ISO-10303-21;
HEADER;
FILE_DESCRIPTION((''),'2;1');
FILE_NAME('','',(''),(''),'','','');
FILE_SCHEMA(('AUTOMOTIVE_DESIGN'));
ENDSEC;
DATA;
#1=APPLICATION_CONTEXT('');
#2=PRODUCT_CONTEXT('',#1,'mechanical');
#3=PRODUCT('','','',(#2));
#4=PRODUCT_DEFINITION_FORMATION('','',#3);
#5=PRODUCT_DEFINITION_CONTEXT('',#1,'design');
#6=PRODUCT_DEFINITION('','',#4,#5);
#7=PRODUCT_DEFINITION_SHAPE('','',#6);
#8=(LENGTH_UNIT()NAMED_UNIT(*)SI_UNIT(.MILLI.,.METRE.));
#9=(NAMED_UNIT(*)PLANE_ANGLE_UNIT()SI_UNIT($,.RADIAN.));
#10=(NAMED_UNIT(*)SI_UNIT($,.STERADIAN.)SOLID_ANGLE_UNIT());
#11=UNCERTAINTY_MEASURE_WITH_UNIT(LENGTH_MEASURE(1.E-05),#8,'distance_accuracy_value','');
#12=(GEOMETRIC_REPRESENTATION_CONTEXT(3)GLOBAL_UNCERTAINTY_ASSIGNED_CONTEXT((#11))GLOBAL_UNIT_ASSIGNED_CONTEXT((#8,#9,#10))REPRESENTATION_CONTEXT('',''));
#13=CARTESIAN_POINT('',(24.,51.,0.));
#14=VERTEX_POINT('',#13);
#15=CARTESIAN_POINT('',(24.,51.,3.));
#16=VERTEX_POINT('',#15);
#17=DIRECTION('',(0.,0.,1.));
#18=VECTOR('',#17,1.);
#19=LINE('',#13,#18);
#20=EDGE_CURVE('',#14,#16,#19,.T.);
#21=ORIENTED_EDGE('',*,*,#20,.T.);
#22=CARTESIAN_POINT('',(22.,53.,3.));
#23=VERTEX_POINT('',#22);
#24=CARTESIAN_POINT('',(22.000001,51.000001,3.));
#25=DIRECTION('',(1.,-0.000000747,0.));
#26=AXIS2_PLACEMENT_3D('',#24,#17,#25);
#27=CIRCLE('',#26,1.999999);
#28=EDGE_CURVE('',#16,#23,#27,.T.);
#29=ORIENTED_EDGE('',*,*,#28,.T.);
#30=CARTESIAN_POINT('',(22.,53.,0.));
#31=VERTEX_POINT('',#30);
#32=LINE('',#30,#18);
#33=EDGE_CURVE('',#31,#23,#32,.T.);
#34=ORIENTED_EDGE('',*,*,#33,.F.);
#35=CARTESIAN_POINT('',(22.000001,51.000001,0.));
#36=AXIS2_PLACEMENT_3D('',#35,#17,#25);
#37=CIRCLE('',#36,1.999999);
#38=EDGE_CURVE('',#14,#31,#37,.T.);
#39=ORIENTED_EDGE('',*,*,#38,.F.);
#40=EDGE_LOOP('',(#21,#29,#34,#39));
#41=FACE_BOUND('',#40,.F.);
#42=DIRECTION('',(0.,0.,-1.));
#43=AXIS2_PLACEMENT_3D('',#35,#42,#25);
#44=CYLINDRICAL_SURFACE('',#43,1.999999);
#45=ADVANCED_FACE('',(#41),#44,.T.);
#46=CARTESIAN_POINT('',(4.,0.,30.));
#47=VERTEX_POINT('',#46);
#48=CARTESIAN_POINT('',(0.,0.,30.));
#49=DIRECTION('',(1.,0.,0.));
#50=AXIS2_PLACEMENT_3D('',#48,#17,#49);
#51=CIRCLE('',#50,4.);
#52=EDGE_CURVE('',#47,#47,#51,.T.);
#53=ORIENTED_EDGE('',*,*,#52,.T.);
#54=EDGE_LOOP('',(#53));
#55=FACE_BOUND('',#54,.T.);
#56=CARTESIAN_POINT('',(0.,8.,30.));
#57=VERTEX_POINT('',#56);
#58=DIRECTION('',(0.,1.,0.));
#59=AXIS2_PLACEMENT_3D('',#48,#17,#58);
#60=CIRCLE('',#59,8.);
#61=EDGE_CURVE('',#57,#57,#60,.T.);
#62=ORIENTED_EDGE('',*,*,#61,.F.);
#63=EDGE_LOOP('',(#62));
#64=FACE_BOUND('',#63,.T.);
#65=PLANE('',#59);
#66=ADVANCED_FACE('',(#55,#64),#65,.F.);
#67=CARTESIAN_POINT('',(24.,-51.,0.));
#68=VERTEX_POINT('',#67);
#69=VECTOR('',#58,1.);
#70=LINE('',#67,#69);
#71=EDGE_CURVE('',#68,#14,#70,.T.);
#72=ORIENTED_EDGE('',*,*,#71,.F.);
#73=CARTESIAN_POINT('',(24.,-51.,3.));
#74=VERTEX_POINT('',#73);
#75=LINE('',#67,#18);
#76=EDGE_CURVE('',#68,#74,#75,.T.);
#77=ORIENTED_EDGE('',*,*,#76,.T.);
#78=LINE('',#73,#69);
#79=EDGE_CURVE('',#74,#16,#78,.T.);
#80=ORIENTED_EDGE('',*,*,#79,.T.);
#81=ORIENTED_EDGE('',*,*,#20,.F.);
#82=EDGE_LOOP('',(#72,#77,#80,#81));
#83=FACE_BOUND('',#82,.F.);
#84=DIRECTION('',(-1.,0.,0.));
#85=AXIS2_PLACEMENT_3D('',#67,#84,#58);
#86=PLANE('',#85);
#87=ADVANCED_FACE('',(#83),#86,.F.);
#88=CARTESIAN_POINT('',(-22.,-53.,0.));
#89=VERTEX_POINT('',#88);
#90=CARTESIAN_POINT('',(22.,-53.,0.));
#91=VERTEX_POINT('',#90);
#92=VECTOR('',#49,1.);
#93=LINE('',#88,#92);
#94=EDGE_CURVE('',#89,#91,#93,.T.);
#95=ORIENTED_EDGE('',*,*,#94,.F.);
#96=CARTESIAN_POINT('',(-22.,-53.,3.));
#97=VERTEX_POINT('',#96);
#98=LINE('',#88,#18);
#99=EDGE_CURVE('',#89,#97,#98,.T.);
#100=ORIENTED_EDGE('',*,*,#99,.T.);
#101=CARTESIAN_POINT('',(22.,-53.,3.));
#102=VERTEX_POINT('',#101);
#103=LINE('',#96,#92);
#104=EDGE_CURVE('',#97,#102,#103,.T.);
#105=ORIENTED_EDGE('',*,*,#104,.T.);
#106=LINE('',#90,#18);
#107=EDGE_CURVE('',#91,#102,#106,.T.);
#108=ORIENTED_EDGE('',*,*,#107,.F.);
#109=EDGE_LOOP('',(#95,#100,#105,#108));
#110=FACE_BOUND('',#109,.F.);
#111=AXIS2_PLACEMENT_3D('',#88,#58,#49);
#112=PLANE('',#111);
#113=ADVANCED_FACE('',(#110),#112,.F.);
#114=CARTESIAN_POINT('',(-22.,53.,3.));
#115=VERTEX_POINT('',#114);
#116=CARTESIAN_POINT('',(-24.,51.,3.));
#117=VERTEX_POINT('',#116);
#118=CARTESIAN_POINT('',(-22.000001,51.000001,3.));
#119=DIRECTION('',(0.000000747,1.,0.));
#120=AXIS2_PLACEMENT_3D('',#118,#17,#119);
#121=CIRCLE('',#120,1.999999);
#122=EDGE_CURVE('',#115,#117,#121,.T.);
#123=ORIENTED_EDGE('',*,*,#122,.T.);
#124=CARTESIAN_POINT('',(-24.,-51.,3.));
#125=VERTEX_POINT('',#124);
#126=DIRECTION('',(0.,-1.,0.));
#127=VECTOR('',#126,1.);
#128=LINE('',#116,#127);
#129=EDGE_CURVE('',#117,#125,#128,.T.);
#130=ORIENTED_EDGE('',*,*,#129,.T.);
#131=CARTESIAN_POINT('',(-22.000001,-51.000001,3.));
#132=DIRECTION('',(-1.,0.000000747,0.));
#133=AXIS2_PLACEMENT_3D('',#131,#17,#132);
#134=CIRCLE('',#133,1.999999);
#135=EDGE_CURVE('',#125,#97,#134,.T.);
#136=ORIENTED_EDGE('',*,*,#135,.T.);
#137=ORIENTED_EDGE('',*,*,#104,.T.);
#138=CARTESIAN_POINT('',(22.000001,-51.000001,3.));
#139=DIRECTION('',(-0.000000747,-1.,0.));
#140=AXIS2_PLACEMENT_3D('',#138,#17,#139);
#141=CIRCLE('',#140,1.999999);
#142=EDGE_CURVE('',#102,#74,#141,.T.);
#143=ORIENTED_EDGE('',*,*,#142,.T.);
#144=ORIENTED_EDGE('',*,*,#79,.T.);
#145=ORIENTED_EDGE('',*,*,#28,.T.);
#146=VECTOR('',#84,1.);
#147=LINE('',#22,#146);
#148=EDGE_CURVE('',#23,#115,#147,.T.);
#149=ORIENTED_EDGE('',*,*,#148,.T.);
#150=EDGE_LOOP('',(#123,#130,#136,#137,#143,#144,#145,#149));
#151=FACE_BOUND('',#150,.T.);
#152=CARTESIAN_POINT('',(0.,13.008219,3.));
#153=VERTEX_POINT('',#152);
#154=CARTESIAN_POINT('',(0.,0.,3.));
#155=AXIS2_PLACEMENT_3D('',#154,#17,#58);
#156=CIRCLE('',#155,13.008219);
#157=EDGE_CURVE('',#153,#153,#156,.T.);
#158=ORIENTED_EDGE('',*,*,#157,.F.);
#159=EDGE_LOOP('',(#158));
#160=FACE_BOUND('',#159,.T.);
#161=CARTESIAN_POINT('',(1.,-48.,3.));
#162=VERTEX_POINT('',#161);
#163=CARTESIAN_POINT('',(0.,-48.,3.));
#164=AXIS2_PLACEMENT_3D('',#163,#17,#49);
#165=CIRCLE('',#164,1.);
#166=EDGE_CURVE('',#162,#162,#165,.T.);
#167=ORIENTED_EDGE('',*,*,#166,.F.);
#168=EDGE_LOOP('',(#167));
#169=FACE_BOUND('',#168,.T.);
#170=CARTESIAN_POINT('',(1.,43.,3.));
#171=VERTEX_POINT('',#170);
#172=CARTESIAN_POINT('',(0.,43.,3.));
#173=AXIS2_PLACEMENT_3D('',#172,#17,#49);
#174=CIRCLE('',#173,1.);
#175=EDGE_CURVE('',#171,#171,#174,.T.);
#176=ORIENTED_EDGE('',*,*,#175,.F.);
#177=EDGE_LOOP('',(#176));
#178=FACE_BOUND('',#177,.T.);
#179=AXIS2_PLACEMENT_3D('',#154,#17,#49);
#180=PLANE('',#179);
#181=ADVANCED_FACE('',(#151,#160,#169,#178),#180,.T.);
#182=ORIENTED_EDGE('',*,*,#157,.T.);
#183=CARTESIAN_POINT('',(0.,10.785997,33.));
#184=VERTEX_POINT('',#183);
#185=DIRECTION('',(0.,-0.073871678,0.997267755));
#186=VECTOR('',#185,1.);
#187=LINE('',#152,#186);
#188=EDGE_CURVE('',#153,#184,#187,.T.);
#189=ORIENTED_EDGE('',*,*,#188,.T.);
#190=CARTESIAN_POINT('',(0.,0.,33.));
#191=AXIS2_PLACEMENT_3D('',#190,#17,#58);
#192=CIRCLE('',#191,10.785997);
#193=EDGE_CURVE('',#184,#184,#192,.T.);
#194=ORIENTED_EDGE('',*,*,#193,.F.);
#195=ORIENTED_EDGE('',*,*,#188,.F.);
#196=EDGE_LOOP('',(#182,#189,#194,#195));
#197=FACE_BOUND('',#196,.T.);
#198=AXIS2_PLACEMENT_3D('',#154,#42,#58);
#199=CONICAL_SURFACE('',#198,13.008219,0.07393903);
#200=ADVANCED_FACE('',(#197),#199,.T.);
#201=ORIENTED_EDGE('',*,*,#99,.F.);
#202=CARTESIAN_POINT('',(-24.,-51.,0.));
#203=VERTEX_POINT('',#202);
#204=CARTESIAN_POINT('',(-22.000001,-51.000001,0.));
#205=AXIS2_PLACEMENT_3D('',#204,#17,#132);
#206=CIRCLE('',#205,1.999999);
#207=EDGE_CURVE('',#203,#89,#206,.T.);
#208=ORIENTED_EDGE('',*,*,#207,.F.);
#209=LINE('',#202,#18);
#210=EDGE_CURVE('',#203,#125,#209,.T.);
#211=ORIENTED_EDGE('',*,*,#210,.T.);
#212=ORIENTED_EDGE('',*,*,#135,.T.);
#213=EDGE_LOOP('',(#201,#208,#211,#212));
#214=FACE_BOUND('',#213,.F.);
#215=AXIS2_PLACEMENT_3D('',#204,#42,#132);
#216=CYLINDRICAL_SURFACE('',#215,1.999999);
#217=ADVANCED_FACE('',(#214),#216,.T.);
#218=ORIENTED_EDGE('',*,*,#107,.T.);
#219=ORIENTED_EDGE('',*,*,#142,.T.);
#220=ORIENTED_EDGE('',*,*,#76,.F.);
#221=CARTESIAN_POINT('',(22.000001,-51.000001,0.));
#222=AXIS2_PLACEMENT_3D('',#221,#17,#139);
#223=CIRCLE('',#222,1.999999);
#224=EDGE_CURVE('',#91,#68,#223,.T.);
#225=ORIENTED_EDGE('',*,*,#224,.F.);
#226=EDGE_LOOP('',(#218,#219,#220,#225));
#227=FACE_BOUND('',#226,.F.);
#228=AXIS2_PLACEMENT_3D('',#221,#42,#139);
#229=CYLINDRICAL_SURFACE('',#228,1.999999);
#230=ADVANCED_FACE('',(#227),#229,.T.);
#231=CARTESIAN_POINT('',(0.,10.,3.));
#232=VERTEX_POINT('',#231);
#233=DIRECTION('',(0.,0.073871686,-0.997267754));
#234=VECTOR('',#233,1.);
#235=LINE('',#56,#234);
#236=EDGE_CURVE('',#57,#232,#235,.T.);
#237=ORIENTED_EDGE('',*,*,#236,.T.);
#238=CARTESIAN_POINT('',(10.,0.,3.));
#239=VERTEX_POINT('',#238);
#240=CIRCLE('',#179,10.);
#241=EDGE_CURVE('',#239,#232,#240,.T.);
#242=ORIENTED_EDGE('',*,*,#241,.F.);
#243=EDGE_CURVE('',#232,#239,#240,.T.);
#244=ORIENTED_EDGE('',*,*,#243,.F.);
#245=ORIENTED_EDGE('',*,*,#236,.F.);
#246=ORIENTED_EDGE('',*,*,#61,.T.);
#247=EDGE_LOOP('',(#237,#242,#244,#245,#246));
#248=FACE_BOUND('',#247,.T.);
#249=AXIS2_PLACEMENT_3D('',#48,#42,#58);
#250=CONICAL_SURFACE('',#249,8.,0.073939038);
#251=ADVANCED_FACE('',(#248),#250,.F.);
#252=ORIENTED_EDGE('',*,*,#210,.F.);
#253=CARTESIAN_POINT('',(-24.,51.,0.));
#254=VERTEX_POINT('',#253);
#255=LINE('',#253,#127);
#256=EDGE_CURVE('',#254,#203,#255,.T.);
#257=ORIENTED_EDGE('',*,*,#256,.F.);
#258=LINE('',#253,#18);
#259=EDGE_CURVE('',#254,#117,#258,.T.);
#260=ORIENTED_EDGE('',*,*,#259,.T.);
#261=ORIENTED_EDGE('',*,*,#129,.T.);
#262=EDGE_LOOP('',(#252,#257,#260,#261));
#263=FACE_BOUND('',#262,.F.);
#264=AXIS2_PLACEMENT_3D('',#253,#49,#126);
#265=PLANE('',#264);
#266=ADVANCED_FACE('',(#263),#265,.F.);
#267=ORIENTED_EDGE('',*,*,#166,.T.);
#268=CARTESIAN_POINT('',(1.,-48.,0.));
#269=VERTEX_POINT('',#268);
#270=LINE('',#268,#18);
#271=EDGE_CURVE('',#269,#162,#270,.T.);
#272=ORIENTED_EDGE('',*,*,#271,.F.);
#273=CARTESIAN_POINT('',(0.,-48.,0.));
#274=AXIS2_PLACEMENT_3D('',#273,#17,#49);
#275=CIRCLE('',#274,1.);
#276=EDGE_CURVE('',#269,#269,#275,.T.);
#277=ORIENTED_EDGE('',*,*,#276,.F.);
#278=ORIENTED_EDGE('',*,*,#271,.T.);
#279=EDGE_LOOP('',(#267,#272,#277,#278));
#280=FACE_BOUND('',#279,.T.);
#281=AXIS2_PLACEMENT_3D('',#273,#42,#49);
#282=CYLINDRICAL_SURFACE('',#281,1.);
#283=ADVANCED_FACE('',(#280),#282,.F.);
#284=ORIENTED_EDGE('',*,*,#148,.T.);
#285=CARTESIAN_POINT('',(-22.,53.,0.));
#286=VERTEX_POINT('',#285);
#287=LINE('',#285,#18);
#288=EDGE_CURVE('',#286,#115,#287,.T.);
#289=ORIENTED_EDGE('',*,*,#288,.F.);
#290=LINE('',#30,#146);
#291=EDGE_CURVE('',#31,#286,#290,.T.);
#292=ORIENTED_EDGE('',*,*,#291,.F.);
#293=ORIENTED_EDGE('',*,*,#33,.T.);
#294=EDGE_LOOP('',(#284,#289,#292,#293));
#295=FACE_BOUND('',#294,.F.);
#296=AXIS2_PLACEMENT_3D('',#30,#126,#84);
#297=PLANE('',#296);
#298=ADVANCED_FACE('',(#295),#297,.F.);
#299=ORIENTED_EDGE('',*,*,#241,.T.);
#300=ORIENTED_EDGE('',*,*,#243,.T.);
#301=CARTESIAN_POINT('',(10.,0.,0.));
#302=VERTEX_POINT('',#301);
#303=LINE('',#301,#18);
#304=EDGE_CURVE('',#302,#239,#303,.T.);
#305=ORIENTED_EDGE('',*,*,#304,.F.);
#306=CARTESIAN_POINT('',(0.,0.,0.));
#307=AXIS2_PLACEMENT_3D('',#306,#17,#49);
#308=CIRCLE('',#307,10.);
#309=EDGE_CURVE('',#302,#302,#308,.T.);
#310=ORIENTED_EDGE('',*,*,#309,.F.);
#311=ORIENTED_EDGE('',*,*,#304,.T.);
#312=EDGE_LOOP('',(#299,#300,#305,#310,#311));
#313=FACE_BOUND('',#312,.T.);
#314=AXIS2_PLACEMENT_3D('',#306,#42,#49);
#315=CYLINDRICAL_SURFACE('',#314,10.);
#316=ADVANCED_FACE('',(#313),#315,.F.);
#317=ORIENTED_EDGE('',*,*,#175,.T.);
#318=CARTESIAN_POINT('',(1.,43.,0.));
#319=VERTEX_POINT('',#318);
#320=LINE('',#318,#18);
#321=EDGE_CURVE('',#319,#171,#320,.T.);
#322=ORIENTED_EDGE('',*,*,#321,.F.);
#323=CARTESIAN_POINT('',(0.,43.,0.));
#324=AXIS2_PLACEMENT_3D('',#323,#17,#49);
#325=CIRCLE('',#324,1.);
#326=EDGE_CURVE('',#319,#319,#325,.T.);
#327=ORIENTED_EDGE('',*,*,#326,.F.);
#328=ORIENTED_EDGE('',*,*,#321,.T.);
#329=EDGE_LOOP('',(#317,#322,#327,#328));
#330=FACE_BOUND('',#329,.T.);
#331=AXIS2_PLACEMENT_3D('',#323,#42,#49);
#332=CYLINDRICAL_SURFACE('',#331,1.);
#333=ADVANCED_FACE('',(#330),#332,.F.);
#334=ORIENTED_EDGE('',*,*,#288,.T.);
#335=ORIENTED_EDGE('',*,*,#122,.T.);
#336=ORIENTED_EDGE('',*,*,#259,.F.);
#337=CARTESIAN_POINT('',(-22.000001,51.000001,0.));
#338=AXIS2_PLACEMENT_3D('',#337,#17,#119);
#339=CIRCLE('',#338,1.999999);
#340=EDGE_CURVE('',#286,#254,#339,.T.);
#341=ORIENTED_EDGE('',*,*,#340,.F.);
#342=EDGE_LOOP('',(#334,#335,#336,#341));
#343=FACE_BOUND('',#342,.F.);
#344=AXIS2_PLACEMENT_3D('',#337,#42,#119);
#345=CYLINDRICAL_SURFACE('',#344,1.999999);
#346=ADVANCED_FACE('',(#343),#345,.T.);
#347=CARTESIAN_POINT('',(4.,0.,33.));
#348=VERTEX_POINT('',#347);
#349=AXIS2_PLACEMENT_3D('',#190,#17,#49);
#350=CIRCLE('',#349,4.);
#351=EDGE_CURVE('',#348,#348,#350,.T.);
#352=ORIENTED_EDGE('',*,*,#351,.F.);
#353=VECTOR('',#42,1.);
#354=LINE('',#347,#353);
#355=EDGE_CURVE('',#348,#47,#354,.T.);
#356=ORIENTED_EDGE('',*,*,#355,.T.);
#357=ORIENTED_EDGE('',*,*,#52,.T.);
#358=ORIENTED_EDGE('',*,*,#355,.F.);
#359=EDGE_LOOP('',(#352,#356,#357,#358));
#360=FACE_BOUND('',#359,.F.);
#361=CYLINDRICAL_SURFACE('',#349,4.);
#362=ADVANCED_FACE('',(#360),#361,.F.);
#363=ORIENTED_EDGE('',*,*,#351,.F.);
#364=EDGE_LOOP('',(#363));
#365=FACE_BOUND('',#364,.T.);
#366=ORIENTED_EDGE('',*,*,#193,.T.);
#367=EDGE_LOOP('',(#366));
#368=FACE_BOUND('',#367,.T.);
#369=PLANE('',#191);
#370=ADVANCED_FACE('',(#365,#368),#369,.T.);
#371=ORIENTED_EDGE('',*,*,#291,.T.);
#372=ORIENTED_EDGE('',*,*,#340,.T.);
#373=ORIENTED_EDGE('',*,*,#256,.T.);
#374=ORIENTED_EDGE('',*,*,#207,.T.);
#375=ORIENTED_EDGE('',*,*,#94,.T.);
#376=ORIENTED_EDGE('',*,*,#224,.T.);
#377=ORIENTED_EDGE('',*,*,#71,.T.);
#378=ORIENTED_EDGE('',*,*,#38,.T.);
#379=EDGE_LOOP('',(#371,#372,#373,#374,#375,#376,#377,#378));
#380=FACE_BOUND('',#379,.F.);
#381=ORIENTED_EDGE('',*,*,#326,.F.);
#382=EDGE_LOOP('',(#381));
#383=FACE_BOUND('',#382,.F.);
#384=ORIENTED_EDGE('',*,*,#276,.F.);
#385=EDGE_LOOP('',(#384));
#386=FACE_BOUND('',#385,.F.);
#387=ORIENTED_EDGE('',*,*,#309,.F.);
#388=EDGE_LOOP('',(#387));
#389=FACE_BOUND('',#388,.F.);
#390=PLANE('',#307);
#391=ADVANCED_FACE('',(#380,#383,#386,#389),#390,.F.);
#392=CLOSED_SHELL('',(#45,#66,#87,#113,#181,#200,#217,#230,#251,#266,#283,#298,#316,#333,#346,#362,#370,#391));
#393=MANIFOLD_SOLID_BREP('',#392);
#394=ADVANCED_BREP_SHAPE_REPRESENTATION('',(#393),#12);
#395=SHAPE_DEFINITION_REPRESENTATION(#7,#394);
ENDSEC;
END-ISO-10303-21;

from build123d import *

# Parameters (mm, degrees)
F0_R     = 1
F0_R_2   = 10
F1_DEPTH = 3
F4_R     = 4
F5_DEPTH = 33.001


with BuildPart() as f1:
    # F0 (on Top) → F1 (new body)
    with BuildSketch(Plane.XY):
        with BuildLine():
            Line((22, 53), (-22, 53))
            ThreePointArc((-22, 53), (-23.414214, 52.414214), (-24, 51))
            Line((-24, 51), (-24, -51))
            ThreePointArc((-24, -51), (-23.414214, -52.414214), (-22, -53))
            Line((-22, -53), (22, -53))
            ThreePointArc((22, -53), (23.414214, -52.414214), (24, -51))
            Line((24, -51), (24, 51))
            ThreePointArc((24, 51), (23.414214, 52.414214), (22, 53))
        make_face()
        with Locations((0, -48)):
            Circle(F0_R, mode=Mode.SUBTRACT)
        Circle(F0_R_2, mode=Mode.SUBTRACT)
        with Locations((0, 43)):
            Circle(F0_R, mode=Mode.SUBTRACT)
    extrude(amount=F1_DEPTH)

    # F2 (on Right) → F3 (revolve)
    with BuildSketch(Plane.YZ):
        Polygon((8, 30), (10, 3), (13.008219, 3), (10.785997, 33), (0, 33), (0, 30), align=None)
    revolve(axis=Axis((0, 0, 4.326884), (0, 0, 1)))

    # F4 (on face) → F5 (cut, through all)
    with BuildSketch(Plane.XY.offset(33)):
        Circle(F4_R)
    extrude(amount=-F5_DEPTH, mode=Mode.SUBTRACT)


solid = f1.part
